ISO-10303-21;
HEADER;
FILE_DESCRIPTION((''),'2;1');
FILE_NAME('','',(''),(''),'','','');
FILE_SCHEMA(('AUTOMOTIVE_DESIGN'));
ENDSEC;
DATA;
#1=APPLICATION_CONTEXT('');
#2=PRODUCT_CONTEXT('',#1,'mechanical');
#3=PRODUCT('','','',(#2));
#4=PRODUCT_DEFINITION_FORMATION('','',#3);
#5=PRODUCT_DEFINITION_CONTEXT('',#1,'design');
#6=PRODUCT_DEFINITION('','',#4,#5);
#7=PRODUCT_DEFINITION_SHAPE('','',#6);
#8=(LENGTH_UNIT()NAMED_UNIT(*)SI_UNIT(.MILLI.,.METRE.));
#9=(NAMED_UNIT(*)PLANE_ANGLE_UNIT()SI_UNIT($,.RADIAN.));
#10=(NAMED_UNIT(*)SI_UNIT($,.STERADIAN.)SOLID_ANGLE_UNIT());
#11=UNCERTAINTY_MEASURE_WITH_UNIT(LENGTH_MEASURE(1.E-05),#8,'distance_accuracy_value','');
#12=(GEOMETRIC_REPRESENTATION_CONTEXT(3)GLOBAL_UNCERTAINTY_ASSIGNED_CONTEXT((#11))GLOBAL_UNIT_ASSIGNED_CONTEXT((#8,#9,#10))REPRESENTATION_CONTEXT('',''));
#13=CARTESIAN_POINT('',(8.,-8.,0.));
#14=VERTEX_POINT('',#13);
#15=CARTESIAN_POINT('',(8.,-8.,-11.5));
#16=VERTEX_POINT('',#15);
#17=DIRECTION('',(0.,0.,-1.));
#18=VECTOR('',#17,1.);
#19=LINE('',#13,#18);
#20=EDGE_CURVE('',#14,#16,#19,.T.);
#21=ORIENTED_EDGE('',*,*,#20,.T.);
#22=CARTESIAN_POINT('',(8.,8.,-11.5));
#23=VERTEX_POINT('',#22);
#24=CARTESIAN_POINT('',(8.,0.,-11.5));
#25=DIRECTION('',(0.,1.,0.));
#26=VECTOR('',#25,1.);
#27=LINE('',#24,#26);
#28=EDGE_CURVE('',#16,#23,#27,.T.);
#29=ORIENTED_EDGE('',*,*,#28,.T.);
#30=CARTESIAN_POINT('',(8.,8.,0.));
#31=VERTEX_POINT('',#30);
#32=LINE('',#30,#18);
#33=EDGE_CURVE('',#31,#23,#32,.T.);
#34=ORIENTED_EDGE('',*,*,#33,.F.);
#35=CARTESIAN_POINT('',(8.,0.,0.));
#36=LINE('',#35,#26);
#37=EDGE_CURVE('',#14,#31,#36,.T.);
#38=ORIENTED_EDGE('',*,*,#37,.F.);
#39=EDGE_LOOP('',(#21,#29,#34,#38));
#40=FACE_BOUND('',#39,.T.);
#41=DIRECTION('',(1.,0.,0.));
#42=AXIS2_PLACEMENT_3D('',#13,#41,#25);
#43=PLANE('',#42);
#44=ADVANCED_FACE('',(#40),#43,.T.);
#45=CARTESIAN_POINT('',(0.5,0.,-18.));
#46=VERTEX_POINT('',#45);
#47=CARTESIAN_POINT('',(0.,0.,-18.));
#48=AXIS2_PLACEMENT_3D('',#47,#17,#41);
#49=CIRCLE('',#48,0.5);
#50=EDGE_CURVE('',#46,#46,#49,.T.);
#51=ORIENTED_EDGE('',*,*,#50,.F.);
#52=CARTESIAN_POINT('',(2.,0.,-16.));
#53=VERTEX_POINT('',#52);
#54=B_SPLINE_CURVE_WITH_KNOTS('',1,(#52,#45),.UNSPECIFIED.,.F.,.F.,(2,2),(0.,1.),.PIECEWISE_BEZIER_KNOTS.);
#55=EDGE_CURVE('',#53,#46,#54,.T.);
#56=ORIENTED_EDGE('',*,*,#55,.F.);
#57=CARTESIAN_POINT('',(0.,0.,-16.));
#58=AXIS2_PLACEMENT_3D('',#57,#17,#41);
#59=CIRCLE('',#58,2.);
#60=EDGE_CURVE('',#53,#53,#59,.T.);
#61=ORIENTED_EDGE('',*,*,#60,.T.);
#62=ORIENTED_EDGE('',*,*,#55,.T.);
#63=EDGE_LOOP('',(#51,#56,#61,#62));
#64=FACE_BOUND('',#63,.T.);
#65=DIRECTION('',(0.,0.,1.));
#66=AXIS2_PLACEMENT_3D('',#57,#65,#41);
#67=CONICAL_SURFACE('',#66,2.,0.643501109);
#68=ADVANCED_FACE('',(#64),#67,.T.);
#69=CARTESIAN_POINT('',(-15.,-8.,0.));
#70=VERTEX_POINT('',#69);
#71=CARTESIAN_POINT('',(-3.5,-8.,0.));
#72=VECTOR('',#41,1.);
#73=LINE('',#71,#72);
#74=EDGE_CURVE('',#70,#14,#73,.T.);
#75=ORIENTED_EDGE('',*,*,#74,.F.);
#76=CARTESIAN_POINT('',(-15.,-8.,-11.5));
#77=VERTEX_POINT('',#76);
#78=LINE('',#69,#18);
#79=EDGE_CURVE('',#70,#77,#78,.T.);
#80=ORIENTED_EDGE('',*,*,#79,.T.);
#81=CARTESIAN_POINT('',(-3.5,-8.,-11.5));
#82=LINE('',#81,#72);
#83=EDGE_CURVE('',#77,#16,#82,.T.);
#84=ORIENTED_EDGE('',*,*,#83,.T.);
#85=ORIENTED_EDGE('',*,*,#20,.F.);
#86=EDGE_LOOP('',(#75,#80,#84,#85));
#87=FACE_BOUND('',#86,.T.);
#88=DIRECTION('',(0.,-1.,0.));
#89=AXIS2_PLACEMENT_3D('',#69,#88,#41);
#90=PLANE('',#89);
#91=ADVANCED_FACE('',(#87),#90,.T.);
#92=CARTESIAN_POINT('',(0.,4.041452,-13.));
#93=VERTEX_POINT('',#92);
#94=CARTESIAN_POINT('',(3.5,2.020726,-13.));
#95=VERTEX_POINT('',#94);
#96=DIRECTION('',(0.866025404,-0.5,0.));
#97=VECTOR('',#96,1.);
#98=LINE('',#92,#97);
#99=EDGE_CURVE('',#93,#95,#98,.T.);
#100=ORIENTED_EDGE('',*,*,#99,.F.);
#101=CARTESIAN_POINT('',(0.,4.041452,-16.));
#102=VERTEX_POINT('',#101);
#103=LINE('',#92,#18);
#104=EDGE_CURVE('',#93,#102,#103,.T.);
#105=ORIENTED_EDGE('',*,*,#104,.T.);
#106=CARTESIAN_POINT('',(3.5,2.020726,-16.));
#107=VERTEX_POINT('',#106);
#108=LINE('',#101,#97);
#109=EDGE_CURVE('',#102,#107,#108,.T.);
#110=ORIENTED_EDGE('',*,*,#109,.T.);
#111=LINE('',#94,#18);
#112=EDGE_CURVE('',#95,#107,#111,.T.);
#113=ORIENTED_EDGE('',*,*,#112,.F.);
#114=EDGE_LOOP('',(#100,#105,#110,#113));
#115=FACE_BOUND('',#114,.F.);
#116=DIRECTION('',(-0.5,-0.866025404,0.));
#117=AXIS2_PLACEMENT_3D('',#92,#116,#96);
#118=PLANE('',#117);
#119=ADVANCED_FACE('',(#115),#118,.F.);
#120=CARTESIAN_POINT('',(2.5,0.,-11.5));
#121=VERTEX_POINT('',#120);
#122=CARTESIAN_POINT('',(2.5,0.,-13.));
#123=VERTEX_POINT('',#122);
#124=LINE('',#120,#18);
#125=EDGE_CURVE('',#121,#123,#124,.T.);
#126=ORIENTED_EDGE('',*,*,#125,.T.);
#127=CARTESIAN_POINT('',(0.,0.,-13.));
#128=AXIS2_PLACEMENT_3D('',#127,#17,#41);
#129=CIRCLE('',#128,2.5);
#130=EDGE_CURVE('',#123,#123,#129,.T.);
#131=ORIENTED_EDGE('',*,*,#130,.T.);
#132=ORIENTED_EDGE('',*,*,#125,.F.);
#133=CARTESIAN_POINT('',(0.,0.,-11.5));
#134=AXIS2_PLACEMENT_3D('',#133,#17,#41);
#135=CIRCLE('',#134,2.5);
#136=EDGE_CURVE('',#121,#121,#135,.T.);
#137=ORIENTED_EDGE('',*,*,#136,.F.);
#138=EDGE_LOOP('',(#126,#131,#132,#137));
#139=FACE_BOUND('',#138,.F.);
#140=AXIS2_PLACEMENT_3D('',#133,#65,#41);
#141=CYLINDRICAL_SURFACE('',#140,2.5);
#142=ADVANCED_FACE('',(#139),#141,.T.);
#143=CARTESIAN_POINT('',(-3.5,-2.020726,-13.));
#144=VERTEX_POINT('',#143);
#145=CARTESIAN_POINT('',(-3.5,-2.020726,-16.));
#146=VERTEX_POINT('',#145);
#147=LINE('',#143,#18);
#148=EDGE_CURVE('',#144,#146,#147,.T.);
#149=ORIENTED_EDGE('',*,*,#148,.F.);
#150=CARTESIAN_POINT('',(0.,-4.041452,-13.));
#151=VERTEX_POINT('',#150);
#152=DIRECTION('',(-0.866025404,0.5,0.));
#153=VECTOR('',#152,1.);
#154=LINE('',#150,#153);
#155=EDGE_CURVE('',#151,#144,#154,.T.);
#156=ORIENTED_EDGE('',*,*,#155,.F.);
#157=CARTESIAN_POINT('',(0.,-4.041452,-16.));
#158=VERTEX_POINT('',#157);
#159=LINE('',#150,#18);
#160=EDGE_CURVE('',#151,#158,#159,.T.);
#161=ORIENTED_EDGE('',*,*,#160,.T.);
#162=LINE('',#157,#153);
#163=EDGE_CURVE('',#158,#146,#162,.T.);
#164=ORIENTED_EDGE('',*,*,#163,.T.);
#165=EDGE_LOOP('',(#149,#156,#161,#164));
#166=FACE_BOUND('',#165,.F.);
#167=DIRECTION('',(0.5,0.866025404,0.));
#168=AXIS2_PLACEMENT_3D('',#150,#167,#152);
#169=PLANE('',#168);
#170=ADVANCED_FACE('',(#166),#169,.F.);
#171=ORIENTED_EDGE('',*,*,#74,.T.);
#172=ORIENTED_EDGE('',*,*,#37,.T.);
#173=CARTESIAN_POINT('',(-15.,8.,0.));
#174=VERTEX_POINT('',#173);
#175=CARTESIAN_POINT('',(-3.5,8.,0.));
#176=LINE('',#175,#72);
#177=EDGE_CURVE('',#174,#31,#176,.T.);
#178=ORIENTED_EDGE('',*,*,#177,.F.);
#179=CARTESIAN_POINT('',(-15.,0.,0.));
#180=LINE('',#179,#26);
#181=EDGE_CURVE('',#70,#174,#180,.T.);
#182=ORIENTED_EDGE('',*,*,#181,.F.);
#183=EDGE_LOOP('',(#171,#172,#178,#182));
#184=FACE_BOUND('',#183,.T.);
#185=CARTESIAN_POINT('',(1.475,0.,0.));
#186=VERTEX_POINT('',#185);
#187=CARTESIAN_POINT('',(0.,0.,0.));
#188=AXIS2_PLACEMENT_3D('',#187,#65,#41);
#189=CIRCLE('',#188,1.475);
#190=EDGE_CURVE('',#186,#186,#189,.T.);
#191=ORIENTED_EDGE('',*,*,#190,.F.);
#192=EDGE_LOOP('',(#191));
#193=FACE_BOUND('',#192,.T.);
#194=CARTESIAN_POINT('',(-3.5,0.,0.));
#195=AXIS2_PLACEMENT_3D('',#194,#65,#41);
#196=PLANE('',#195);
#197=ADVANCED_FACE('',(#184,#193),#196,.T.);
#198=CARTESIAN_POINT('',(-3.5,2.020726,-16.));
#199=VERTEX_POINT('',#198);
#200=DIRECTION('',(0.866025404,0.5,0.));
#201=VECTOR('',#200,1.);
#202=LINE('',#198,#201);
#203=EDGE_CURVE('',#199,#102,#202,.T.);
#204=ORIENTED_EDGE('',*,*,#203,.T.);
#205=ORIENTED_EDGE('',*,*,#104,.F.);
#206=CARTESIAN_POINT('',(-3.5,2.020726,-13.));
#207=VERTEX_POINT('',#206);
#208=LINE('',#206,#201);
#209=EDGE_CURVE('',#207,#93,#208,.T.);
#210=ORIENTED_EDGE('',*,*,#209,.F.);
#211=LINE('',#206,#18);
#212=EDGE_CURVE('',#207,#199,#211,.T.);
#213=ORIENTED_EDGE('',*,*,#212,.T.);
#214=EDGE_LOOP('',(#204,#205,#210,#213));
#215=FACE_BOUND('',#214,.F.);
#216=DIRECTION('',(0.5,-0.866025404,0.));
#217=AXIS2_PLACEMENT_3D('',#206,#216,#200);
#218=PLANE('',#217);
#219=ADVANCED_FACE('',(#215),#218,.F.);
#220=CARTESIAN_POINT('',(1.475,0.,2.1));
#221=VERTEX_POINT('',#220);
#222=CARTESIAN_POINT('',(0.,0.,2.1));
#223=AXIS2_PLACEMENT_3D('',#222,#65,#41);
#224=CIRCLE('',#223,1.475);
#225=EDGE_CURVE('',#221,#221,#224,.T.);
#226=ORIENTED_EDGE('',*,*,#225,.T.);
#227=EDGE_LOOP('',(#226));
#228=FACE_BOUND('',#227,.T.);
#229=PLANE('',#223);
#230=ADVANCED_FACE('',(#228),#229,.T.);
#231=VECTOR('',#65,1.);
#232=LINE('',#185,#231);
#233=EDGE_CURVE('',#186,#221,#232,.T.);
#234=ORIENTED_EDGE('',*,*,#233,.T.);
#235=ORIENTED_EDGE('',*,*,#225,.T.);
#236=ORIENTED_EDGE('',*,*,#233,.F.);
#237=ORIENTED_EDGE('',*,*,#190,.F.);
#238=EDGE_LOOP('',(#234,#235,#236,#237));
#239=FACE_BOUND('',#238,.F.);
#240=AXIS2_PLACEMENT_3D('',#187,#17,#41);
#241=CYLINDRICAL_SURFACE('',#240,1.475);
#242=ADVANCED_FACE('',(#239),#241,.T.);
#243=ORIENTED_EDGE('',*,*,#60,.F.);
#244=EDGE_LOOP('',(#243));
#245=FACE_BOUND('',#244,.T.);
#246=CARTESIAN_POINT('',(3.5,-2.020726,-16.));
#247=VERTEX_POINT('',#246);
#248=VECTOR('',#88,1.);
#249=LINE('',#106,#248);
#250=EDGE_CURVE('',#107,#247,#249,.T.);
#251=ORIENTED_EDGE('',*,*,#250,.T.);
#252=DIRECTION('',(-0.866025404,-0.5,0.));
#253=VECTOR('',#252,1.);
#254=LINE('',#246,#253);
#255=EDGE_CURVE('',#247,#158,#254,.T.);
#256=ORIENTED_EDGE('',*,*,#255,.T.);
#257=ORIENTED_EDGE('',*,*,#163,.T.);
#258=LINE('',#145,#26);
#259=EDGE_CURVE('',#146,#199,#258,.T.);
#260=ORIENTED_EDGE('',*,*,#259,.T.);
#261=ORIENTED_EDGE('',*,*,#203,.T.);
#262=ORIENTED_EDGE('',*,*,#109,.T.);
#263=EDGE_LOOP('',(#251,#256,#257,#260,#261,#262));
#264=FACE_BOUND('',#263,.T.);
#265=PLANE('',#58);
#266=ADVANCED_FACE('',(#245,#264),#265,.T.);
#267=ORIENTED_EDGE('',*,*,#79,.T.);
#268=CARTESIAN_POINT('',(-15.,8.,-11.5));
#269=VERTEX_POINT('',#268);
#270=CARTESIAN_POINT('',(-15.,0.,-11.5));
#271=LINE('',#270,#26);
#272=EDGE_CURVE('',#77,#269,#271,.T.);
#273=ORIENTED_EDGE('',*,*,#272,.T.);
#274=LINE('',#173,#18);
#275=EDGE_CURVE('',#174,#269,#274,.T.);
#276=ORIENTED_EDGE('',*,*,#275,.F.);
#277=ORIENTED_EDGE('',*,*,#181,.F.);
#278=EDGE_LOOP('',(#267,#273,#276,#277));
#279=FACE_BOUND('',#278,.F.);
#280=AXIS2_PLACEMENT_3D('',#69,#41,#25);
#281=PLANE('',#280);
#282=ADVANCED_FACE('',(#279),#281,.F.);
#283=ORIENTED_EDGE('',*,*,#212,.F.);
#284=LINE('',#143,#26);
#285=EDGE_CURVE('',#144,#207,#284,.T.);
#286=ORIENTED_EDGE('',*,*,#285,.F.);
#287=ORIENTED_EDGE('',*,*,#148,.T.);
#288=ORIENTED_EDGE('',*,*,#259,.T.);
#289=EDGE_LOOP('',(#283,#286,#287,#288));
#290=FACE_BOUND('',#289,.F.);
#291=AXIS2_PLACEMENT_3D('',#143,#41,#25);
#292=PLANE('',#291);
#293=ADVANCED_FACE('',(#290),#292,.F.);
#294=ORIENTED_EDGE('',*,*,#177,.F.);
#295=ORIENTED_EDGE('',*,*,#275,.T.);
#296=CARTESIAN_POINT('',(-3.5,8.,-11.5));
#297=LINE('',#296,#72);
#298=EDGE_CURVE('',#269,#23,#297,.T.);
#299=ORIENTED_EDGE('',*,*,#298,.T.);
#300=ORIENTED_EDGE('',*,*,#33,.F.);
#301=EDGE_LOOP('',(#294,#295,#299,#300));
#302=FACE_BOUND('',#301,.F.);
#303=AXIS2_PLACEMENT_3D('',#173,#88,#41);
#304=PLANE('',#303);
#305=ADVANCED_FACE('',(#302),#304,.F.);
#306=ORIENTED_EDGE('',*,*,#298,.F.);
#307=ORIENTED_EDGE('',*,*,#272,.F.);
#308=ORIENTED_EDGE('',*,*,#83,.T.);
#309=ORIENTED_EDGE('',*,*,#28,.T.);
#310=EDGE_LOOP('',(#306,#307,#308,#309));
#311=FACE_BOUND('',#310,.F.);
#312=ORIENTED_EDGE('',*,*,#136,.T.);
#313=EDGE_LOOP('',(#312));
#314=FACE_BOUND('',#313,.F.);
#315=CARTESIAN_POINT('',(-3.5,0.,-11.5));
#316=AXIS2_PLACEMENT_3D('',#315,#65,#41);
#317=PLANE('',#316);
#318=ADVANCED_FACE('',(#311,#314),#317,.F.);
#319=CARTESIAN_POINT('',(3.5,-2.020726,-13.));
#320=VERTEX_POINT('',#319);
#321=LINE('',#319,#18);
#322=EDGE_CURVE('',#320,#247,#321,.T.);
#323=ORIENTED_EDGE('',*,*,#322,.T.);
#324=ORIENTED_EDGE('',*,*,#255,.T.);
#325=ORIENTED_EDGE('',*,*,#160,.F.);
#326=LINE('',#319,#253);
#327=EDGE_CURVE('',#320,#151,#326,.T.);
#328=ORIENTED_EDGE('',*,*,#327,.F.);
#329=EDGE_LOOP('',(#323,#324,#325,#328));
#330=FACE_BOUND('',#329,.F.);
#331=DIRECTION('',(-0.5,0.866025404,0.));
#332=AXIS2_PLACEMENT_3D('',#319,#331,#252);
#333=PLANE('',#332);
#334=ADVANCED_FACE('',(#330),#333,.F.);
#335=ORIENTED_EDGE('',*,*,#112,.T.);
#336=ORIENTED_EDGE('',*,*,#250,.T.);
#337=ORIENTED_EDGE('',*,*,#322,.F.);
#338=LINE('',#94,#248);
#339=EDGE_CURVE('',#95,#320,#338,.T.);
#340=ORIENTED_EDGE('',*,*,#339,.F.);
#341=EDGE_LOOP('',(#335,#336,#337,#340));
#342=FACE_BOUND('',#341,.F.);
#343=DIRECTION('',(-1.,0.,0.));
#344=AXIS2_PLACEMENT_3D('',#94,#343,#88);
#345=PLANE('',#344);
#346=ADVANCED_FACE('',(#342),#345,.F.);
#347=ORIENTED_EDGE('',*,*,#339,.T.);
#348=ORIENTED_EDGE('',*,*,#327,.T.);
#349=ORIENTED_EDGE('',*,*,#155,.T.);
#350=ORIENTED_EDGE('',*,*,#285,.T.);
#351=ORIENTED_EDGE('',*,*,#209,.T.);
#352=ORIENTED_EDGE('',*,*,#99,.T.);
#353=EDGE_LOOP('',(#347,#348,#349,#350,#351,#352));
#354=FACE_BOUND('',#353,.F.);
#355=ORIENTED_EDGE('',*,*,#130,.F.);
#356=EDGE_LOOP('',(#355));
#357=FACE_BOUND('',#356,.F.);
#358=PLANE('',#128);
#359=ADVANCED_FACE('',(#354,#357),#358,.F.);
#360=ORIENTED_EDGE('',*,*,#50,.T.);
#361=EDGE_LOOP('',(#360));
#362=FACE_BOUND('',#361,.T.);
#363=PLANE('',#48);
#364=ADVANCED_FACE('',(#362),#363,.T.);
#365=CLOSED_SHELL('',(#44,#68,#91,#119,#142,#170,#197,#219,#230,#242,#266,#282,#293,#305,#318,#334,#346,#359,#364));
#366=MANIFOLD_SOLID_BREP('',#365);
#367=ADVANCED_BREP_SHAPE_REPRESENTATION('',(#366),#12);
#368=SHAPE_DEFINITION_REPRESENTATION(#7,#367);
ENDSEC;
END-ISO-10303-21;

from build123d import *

# Parameters (mm, degrees)
F0_R     = 1.475
F1_DEPTH = 2.1
F0_W     = 23
F0_H     = 16
F2_DEPTH = 11.5
F3_R     = 2.5
F4_DEPTH = 1.5
F6_DEPTH = 3
F7_R     = 2
F9_R     = 0.5


with BuildPart() as f1:
    # F0 (on Top) → F1 (new body)
    with BuildSketch(Plane.XY):
        Circle(F0_R)
    extrude(amount=F1_DEPTH)

    # F0 (on Top) → F2 (join)
    with BuildSketch(Plane.XY):
        with Locations((-3.5, 0)):
            Rectangle(F0_W, F0_H)
        Circle(F0_R, mode=Mode.SUBTRACT)
        Circle(F0_R)
    extrude(amount=-F2_DEPTH)

    # F3 (on face) → F4 (join)
    with BuildSketch(Plane(origin=(0, 0, -11.5), x_dir=(1, 0, 0), z_dir=(0, 0, -1))):
        Circle(F3_R)
    extrude(amount=F4_DEPTH)

    # F5 (on face) → F6 (join)
    with BuildSketch(Plane(origin=(0, 0, -13), x_dir=(1, 0, 0), z_dir=(0, 0, -1))):
        Polygon((3.5, -2.0207259422), (3.5, 2.0207259422), (0, 4.0414518843), (-3.5, 2.0207259422), (-3.5, -2.0207259422), (0, -4.0414518843), align=None)
    extrude(amount=F6_DEPTH)

    # F7 (on face) → F10 section 0
    with BuildSketch(Plane(origin=(0, 0, -16), x_dir=(1, 0, 0), z_dir=(0, 0, -1))):
        Circle(F7_R)
    # F9 (on offset) → F10 section 1
    with BuildSketch(Plane(origin=(0, 0, -18), x_dir=(1, 0, 0), z_dir=(0, 0, -1))):
        Circle(F9_R)
    loft()


solid = f1.part
